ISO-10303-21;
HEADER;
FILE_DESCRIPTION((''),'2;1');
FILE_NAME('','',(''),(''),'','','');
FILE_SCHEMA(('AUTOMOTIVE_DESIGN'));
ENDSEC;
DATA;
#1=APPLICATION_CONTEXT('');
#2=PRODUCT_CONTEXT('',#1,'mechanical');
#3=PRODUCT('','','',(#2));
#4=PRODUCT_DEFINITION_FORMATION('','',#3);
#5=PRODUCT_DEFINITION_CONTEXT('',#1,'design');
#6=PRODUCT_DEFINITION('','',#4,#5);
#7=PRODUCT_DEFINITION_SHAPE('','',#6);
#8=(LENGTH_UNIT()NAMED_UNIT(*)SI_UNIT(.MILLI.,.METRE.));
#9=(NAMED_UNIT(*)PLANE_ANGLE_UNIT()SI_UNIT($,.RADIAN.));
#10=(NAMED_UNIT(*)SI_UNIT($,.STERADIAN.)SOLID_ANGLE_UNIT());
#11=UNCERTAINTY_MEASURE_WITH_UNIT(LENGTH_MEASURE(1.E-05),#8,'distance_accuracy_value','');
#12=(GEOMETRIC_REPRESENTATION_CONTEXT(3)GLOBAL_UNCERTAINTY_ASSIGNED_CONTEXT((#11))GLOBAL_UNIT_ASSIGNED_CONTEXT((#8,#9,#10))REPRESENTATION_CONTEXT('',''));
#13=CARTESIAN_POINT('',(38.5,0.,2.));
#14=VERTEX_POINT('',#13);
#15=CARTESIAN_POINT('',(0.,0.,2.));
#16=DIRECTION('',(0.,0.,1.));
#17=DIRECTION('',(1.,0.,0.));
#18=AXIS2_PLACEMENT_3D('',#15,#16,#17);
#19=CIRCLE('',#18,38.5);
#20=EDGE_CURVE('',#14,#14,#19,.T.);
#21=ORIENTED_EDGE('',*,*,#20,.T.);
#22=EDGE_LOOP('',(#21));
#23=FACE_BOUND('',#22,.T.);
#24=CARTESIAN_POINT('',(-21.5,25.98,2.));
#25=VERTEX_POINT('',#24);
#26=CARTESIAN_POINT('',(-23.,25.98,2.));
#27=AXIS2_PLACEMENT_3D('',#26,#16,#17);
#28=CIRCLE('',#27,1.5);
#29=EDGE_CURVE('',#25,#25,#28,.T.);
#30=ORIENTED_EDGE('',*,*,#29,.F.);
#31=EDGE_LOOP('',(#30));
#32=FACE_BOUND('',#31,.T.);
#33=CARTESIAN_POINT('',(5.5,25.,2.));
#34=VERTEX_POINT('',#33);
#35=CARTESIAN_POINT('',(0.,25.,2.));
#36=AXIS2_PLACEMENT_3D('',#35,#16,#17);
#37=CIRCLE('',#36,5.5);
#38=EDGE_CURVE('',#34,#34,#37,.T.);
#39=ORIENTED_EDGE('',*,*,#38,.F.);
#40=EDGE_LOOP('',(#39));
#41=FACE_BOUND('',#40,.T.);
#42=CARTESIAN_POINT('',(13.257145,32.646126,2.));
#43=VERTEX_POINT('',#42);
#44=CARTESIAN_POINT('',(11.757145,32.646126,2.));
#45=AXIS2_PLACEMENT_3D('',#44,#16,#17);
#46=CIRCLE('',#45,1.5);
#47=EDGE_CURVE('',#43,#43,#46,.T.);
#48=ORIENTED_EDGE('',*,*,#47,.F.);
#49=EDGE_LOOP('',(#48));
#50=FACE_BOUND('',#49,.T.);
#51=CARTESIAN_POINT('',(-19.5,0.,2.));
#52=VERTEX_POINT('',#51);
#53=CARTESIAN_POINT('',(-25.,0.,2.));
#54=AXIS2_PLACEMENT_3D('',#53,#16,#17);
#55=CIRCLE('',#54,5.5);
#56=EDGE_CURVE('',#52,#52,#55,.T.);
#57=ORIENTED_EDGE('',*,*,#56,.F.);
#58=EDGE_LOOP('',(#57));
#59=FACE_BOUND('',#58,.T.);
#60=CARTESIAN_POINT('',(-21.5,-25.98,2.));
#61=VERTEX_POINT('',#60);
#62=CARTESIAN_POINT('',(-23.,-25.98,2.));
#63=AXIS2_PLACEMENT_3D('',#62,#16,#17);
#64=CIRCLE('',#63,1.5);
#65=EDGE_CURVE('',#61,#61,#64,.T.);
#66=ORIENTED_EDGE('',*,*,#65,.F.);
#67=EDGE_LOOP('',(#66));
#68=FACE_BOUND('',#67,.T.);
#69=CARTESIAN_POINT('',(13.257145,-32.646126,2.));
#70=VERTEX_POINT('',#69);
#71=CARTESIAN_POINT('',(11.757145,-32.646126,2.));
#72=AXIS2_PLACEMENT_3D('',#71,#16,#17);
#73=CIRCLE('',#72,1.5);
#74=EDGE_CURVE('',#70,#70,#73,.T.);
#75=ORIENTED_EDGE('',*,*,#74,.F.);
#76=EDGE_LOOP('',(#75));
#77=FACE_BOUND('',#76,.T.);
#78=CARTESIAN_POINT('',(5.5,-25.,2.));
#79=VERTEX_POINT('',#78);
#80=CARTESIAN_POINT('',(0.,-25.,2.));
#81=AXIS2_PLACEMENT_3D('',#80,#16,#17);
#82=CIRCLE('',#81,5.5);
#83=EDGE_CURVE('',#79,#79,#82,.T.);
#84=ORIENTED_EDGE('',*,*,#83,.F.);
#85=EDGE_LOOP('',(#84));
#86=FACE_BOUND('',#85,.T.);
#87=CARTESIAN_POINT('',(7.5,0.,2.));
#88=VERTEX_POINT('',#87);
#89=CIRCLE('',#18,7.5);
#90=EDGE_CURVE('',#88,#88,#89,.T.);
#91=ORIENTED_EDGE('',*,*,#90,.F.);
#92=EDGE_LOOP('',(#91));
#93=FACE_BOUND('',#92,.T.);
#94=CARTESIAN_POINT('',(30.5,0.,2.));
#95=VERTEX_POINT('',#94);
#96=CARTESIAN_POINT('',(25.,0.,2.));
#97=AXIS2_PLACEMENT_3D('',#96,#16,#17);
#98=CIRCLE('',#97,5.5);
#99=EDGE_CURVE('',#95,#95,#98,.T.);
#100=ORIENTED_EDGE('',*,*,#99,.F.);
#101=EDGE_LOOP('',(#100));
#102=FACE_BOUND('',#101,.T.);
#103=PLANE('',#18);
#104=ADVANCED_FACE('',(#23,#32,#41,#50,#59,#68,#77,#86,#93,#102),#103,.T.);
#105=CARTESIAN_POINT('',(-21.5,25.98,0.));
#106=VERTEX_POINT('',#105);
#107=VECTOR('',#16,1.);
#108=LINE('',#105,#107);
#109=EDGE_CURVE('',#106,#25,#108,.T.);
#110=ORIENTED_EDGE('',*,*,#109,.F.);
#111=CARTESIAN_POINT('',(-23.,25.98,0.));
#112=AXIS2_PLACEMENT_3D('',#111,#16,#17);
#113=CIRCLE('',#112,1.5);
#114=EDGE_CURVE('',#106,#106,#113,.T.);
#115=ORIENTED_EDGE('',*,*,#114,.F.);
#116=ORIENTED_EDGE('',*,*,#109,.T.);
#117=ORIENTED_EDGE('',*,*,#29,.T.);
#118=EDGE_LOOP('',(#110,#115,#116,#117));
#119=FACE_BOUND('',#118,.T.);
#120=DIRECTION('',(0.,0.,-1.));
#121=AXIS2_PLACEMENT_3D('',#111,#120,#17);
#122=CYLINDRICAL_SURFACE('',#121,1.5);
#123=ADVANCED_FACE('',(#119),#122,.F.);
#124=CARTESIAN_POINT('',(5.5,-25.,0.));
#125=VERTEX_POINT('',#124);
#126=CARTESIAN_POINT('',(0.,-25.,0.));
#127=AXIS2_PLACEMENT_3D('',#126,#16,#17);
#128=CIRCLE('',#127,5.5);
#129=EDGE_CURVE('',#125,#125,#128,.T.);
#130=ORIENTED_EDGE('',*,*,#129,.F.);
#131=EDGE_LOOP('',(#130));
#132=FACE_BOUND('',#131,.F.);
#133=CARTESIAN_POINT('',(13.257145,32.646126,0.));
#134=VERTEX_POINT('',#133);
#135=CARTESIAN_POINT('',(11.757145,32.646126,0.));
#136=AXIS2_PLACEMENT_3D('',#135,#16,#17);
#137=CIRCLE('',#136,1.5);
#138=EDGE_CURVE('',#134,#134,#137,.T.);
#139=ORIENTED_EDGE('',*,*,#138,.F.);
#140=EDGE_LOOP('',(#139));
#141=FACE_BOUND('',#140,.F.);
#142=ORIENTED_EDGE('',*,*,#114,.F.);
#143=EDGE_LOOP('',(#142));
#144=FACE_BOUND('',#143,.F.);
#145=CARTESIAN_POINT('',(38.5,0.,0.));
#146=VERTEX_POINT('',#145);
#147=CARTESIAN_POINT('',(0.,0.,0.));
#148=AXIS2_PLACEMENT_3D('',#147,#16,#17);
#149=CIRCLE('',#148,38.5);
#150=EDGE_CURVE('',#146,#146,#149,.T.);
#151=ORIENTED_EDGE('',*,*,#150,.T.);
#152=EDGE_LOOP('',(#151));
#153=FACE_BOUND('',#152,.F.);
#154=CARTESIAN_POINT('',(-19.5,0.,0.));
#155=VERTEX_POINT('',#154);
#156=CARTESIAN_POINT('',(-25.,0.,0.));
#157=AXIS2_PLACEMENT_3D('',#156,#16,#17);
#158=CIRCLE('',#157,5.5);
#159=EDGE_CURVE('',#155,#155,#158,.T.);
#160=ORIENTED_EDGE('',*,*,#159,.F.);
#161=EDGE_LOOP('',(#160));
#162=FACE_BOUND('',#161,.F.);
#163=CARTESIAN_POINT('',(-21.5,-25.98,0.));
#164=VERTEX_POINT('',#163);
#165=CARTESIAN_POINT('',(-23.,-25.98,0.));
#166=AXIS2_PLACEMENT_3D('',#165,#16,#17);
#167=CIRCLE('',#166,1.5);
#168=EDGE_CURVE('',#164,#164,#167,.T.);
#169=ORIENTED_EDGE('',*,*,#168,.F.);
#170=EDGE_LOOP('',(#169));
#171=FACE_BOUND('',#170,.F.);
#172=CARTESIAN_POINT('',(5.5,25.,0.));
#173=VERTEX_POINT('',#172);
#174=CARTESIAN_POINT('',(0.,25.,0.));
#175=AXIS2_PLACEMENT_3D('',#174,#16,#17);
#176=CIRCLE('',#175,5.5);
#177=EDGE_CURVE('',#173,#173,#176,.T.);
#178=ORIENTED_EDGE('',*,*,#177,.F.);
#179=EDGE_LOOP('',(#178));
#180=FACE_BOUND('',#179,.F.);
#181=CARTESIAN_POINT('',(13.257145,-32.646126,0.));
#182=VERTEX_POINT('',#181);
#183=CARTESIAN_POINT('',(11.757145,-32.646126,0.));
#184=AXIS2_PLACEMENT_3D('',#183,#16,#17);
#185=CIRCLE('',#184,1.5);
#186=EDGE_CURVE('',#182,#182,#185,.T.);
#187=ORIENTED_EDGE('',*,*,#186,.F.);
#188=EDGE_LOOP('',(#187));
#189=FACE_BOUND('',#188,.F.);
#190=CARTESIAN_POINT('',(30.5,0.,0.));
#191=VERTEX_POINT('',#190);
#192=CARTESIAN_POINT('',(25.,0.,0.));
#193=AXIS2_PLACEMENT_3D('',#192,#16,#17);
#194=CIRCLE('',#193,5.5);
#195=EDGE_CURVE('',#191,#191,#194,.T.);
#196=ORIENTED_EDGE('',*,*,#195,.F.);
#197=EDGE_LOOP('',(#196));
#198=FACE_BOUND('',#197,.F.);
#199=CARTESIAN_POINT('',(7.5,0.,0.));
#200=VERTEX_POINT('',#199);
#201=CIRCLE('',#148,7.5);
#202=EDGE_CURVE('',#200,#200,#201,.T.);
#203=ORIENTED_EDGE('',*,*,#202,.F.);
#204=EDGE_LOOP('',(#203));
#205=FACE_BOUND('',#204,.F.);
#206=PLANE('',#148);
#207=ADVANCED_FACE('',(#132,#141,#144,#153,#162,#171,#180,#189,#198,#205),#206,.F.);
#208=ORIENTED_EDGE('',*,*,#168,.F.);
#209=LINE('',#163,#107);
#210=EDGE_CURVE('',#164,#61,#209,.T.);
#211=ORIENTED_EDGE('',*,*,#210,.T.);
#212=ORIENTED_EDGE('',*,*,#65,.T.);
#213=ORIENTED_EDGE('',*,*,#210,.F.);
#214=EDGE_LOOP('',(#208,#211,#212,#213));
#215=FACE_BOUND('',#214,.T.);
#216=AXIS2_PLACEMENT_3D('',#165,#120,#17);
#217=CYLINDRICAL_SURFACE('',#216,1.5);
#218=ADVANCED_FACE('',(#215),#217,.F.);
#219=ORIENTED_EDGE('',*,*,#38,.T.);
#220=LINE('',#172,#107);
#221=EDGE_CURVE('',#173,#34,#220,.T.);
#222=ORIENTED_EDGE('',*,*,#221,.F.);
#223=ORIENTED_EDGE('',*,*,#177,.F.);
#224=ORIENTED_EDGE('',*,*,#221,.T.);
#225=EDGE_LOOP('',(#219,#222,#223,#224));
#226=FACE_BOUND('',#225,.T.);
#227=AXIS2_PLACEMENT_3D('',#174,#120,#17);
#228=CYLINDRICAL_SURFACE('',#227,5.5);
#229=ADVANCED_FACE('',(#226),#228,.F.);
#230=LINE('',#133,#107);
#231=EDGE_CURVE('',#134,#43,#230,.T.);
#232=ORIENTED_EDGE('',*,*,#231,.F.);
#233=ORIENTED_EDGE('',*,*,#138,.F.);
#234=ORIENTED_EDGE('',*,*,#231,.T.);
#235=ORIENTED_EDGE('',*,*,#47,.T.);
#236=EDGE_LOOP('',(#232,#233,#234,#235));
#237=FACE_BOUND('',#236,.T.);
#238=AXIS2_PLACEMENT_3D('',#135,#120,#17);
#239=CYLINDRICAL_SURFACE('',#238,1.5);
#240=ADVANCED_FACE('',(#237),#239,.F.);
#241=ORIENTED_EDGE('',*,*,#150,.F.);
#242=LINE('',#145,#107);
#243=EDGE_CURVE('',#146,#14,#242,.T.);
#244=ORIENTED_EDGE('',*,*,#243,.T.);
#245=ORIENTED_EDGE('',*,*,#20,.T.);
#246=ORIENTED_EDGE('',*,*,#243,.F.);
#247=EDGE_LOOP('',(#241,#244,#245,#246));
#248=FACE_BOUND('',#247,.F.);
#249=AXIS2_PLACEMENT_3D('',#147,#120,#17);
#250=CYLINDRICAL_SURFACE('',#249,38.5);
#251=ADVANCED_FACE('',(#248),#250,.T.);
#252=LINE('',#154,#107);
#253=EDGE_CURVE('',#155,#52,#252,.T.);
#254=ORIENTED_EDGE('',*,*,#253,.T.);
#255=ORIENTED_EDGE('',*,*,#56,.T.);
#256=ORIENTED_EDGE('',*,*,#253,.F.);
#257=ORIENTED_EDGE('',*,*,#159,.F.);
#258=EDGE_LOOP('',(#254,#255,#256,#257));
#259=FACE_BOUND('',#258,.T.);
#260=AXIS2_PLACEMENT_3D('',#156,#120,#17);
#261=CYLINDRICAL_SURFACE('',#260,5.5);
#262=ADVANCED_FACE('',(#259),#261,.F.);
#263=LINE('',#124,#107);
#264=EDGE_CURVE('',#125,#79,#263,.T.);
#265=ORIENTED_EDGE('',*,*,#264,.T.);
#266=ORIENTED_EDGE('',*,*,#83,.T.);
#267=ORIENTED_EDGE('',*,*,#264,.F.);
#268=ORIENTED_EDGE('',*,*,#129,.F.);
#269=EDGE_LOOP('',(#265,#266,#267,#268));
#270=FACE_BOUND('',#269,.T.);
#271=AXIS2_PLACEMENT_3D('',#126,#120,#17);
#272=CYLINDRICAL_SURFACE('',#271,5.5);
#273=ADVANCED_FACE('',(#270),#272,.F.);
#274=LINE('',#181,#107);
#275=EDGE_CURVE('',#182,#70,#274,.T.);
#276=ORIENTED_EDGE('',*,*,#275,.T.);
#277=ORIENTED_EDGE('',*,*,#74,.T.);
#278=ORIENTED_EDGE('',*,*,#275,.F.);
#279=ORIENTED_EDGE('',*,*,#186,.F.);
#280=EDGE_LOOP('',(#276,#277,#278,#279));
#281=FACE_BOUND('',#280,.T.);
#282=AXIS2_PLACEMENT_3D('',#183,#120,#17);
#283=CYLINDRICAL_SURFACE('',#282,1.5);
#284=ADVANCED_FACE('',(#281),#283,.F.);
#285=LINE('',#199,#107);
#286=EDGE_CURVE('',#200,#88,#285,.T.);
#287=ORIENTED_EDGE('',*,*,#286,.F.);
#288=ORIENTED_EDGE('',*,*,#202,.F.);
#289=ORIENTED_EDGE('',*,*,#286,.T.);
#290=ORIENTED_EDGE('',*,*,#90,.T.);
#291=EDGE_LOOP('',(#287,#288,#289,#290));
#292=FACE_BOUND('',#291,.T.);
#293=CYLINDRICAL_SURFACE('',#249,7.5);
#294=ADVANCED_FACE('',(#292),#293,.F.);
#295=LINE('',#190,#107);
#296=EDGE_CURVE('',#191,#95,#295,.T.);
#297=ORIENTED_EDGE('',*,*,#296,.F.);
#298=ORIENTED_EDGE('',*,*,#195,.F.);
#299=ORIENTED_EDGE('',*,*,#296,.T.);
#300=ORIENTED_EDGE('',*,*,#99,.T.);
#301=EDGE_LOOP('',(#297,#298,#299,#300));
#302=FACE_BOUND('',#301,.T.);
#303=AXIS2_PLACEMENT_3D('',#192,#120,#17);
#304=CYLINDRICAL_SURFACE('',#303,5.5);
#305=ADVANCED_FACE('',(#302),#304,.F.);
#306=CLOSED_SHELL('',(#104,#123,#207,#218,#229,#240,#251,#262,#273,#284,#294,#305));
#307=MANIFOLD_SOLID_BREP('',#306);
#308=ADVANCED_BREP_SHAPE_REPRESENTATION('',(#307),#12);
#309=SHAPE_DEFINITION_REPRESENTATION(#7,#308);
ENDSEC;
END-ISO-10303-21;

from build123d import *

# Parameters (mm, degrees)
MODEL_R             = 38.5
MODEL_R_2           = 1.5
MODEL_R_3           = 5.5
MODEL_R_4           = 7.5
BOSS_EXTRUDE1_DEPTH = 2


with BuildPart() as part:
    # Model → Boss-Extrude1 (new body)
    with BuildSketch(Plane.XY):
        Circle(MODEL_R)
        with Locations((-23, 25.98)):
            Circle(MODEL_R_2, mode=Mode.SUBTRACT)
        with Locations((11.757144545, -32.646126143)):
            Circle(MODEL_R_2, mode=Mode.SUBTRACT)
        with Locations((11.757144545, 32.646126143)):
            Circle(MODEL_R_2, mode=Mode.SUBTRACT)
        with Locations((-23, -25.98)):
            Circle(MODEL_R_2, mode=Mode.SUBTRACT)
        with Locations((-25, 0)):
            Circle(MODEL_R_3, mode=Mode.SUBTRACT)
        with Locations((0, 25)):
            Circle(MODEL_R_3, mode=Mode.SUBTRACT)
        with Locations((0, -25)):
            Circle(MODEL_R_3, mode=Mode.SUBTRACT)
        with Locations((25, 0)):
            Circle(MODEL_R_3, mode=Mode.SUBTRACT)
        Circle(MODEL_R_4, mode=Mode.SUBTRACT)
    extrude(amount=BOSS_EXTRUDE1_DEPTH)


solid = part.part
